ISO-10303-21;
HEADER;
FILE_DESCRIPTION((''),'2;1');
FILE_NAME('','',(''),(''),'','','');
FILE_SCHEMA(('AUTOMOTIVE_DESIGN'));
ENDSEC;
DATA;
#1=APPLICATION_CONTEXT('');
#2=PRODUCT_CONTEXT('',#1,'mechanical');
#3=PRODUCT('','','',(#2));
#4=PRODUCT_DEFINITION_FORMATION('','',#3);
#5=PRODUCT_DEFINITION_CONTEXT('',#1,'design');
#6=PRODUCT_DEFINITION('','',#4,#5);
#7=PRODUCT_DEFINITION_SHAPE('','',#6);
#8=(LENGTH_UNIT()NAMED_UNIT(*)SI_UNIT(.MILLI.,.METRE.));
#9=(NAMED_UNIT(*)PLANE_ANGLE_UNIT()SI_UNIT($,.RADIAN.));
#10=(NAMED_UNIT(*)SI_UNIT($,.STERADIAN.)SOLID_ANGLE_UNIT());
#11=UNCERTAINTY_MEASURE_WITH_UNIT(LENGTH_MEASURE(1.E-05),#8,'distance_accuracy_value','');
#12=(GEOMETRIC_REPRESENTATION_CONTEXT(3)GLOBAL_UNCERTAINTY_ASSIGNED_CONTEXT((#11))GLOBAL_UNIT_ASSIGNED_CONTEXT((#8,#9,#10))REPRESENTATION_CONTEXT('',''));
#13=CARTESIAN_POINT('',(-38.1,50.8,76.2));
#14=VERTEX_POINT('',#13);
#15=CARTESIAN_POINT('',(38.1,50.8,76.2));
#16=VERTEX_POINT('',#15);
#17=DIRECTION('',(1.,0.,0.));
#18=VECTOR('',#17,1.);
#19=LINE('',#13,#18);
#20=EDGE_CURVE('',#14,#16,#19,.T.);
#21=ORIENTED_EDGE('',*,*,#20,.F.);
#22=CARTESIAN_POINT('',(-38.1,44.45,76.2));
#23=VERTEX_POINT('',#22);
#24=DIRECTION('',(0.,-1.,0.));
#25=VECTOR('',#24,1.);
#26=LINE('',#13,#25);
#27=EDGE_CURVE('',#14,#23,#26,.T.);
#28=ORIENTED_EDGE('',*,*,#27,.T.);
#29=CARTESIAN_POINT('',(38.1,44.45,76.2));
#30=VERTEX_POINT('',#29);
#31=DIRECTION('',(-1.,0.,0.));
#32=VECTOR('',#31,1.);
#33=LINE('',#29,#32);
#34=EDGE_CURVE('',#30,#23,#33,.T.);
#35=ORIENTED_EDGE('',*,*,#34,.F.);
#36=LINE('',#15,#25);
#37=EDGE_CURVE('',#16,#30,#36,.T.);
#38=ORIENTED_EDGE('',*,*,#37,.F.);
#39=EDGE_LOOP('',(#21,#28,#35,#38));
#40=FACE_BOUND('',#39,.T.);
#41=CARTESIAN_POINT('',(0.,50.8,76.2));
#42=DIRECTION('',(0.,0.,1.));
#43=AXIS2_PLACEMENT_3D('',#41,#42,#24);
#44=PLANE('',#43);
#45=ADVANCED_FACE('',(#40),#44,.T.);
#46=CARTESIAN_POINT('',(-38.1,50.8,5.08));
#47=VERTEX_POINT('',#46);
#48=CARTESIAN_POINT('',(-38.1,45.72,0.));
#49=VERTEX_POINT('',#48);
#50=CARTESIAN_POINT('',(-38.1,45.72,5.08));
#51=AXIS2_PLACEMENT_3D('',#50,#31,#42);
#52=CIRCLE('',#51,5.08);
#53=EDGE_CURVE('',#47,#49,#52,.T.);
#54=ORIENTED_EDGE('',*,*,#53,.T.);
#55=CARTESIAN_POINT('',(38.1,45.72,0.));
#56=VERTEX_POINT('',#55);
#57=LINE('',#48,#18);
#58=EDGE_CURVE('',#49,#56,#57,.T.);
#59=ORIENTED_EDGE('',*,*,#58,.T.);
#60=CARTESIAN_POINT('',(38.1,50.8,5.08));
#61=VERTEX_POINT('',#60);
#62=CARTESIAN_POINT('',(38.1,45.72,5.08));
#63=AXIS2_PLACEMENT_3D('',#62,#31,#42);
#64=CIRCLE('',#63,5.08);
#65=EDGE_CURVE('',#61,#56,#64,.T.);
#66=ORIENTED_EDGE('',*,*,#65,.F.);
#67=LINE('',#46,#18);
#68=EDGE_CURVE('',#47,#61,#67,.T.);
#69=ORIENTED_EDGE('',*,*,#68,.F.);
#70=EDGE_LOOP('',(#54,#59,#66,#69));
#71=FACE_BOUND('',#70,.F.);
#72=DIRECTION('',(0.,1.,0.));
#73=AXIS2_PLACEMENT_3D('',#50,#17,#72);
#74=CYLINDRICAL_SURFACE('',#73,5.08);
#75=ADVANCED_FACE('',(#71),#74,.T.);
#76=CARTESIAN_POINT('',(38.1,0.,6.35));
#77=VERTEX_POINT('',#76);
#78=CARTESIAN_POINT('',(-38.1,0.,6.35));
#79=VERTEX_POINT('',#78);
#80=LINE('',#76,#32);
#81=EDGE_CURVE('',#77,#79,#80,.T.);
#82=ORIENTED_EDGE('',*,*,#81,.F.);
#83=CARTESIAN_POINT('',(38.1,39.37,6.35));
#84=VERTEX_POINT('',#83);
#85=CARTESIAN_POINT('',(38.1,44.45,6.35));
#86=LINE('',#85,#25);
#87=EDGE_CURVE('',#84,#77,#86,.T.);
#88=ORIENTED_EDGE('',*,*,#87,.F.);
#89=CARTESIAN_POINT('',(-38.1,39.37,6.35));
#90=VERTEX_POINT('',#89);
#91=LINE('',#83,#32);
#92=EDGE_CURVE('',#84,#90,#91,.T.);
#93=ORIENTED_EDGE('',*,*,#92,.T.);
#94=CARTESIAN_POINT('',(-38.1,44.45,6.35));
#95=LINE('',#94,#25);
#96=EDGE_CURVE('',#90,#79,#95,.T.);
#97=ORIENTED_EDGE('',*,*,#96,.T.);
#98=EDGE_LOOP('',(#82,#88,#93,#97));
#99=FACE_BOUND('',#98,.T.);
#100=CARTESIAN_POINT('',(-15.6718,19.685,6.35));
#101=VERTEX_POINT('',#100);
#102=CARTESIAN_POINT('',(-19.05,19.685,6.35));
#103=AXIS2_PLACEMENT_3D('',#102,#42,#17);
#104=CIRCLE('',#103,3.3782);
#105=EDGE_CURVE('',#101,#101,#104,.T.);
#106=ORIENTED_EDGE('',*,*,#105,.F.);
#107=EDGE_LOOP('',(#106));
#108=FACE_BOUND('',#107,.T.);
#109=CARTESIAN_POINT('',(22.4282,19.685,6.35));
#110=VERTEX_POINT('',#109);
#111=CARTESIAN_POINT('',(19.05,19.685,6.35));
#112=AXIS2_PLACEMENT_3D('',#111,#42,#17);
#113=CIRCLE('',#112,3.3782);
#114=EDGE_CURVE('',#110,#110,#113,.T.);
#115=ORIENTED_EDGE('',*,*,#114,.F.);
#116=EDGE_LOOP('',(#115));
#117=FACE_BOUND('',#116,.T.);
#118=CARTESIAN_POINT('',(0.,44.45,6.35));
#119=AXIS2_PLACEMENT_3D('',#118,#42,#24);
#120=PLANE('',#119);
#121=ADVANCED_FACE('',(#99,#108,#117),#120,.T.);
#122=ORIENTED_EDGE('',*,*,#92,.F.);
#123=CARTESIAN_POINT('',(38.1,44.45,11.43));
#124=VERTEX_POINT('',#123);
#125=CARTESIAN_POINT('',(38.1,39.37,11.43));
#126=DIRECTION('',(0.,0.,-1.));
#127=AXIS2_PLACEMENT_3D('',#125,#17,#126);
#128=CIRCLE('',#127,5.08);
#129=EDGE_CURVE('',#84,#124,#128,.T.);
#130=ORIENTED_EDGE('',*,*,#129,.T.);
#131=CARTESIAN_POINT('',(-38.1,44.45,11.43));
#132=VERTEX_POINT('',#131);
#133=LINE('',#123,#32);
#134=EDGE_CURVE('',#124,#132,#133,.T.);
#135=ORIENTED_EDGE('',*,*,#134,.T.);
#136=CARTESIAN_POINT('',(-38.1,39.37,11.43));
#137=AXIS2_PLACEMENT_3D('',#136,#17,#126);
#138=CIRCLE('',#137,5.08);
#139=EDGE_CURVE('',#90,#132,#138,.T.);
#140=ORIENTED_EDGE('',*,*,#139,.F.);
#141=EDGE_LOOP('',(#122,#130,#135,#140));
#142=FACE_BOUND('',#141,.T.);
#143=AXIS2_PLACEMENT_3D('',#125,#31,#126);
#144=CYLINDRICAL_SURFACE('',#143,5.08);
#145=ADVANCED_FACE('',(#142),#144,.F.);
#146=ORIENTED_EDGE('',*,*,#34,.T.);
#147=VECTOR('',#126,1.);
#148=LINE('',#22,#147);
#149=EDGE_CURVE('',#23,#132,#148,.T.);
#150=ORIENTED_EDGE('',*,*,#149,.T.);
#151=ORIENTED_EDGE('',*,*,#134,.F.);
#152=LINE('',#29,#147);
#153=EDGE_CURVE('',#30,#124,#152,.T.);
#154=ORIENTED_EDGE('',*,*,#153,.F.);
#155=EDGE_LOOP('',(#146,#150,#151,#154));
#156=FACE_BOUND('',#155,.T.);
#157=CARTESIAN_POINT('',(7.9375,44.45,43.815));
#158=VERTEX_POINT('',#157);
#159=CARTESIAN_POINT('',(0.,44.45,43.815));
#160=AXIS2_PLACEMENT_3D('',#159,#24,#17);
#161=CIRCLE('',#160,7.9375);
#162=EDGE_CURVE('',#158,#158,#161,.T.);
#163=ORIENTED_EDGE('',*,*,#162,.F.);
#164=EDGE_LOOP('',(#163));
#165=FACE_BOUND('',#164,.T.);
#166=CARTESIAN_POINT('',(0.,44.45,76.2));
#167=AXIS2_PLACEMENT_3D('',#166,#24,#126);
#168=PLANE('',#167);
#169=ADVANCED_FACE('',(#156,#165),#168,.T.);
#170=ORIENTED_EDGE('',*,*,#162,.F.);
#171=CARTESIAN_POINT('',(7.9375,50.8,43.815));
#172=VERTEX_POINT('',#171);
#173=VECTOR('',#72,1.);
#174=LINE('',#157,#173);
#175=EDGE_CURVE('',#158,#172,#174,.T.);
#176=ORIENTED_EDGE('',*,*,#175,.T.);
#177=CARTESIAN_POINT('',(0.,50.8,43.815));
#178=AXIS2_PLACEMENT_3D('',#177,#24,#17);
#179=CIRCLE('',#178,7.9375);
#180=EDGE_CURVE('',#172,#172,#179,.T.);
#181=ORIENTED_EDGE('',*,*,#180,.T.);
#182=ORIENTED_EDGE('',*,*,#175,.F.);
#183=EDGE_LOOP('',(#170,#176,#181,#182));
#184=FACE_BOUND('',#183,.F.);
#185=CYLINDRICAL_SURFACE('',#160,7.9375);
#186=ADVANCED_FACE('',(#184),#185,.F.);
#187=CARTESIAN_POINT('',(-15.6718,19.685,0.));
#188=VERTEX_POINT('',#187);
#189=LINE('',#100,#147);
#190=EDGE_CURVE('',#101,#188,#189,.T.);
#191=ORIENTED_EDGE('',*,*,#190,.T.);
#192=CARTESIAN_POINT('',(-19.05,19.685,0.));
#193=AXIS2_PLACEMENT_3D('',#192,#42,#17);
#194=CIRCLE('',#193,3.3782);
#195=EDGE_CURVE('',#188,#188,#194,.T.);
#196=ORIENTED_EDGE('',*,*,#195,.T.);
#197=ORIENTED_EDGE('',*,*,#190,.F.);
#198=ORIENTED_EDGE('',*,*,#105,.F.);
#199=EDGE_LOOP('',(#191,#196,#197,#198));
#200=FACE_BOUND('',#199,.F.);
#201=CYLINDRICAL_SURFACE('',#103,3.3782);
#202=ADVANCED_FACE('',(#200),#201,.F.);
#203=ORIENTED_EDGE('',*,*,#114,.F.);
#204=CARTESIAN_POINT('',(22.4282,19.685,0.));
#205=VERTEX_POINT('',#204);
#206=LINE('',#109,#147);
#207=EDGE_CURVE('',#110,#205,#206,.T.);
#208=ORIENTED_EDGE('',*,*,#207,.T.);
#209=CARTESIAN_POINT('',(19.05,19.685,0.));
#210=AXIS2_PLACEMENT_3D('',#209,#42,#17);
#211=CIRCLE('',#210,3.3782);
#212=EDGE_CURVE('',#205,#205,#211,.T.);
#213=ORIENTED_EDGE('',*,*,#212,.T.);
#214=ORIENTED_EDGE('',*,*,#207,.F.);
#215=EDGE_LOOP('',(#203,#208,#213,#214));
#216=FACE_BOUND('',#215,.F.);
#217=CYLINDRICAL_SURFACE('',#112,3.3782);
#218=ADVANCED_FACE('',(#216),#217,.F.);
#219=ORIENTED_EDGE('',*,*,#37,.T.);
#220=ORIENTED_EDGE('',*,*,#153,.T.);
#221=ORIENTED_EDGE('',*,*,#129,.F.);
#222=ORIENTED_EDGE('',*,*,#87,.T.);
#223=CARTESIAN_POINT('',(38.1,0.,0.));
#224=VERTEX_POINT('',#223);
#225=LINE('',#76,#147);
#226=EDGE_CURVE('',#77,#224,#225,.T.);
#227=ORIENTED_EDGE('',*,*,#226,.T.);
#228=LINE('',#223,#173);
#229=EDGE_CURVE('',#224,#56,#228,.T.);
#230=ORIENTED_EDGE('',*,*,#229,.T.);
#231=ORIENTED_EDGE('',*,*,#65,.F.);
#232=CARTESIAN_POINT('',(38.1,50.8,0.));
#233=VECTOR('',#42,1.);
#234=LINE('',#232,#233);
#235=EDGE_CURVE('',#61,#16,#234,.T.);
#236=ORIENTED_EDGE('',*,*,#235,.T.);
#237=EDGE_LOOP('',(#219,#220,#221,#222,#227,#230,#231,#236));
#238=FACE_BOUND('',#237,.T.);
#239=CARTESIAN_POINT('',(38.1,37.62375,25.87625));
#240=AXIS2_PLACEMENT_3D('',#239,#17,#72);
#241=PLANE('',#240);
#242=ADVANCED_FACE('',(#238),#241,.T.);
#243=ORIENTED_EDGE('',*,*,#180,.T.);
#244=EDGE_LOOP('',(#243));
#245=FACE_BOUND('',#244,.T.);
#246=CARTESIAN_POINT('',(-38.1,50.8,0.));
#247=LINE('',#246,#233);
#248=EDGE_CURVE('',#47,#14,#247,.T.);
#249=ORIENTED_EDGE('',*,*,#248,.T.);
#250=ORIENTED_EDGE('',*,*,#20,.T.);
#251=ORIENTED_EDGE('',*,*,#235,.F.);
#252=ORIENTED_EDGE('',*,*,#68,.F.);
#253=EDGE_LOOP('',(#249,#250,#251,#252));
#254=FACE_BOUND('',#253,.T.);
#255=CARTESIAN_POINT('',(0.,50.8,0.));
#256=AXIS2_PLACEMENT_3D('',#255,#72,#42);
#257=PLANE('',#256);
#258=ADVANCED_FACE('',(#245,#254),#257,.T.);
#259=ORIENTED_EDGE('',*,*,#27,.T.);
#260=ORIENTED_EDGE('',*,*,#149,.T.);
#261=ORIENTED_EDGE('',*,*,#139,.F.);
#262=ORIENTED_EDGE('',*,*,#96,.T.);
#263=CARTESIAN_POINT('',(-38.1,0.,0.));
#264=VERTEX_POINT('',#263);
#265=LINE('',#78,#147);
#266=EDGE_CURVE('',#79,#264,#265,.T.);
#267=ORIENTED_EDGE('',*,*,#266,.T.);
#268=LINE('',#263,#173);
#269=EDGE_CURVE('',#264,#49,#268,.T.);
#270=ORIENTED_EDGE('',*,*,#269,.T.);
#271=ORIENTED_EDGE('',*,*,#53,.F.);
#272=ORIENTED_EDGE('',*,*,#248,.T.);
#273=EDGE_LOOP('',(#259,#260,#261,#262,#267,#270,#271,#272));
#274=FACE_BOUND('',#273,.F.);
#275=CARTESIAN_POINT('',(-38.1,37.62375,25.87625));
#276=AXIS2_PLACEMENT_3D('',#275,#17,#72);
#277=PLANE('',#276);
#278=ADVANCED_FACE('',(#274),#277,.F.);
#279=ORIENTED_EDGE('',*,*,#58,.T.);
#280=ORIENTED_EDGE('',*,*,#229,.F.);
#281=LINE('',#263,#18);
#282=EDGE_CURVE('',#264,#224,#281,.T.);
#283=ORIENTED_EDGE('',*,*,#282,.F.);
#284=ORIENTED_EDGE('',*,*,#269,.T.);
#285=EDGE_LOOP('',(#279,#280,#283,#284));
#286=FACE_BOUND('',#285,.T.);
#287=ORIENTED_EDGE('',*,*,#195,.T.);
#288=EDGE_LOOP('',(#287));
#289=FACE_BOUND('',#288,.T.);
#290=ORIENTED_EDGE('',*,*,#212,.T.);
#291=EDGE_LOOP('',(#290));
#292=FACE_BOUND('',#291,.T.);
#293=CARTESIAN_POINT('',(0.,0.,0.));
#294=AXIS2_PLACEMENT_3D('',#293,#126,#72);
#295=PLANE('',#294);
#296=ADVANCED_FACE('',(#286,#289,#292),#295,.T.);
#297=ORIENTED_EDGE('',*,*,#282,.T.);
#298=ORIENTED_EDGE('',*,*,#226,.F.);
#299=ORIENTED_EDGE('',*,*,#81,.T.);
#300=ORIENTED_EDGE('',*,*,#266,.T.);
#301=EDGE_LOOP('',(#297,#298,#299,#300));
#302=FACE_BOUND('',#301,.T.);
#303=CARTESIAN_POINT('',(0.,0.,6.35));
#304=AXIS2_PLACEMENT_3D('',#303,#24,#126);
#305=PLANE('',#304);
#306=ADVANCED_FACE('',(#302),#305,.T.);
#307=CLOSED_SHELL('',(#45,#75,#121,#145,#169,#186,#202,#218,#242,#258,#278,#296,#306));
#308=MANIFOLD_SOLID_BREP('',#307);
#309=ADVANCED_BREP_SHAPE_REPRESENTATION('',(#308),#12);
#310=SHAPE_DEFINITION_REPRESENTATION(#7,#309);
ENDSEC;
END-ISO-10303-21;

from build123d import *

# Parameters (mm, degrees)
F1_DEPTH = 38.1
F2_R     = 5.08
F3_R     = 3.3782
F4_DEPTH = 6.351
F5_R     = 7.9375
F6_DEPTH = 6.351


with BuildPart() as f1:
    # F0 (on Right) → F1 (new body, symmetric)
    with BuildSketch(Plane.YZ):
        Polygon((0, 6.35), (0, 0), (50.8, 0), (50.8, 76.2), (44.45, 76.2), (44.45, 50.8), (44.45, 6.35), (3.175, 6.35), align=None)
    extrude(amount=F1_DEPTH, both=True)

    # F2
    f2_edges = [f1.edges().sort_by_distance(p)[0] for p in [
        (0, 50.8, 0),
        (0, 44.45, 6.35),
    ]]
    fillet(f2_edges, radius=F2_R)

    # F3 (on face) → F4 (cut, through all)
    with BuildSketch(Plane.XY.offset(6.35)):
        with Locations((19.05, 19.685)):
            Circle(F3_R)
        with Locations((-19.05, 19.685)):
            Circle(F3_R)
    extrude(amount=-F4_DEPTH, mode=Mode.SUBTRACT)

    # F5 (on face) → F6 (cut, through all)
    with BuildSketch(Plane.XZ.offset(-44.45)):
        with Locations((0, 43.815)):
            Circle(F5_R)
    extrude(amount=-F6_DEPTH, mode=Mode.SUBTRACT)


solid = f1.part
